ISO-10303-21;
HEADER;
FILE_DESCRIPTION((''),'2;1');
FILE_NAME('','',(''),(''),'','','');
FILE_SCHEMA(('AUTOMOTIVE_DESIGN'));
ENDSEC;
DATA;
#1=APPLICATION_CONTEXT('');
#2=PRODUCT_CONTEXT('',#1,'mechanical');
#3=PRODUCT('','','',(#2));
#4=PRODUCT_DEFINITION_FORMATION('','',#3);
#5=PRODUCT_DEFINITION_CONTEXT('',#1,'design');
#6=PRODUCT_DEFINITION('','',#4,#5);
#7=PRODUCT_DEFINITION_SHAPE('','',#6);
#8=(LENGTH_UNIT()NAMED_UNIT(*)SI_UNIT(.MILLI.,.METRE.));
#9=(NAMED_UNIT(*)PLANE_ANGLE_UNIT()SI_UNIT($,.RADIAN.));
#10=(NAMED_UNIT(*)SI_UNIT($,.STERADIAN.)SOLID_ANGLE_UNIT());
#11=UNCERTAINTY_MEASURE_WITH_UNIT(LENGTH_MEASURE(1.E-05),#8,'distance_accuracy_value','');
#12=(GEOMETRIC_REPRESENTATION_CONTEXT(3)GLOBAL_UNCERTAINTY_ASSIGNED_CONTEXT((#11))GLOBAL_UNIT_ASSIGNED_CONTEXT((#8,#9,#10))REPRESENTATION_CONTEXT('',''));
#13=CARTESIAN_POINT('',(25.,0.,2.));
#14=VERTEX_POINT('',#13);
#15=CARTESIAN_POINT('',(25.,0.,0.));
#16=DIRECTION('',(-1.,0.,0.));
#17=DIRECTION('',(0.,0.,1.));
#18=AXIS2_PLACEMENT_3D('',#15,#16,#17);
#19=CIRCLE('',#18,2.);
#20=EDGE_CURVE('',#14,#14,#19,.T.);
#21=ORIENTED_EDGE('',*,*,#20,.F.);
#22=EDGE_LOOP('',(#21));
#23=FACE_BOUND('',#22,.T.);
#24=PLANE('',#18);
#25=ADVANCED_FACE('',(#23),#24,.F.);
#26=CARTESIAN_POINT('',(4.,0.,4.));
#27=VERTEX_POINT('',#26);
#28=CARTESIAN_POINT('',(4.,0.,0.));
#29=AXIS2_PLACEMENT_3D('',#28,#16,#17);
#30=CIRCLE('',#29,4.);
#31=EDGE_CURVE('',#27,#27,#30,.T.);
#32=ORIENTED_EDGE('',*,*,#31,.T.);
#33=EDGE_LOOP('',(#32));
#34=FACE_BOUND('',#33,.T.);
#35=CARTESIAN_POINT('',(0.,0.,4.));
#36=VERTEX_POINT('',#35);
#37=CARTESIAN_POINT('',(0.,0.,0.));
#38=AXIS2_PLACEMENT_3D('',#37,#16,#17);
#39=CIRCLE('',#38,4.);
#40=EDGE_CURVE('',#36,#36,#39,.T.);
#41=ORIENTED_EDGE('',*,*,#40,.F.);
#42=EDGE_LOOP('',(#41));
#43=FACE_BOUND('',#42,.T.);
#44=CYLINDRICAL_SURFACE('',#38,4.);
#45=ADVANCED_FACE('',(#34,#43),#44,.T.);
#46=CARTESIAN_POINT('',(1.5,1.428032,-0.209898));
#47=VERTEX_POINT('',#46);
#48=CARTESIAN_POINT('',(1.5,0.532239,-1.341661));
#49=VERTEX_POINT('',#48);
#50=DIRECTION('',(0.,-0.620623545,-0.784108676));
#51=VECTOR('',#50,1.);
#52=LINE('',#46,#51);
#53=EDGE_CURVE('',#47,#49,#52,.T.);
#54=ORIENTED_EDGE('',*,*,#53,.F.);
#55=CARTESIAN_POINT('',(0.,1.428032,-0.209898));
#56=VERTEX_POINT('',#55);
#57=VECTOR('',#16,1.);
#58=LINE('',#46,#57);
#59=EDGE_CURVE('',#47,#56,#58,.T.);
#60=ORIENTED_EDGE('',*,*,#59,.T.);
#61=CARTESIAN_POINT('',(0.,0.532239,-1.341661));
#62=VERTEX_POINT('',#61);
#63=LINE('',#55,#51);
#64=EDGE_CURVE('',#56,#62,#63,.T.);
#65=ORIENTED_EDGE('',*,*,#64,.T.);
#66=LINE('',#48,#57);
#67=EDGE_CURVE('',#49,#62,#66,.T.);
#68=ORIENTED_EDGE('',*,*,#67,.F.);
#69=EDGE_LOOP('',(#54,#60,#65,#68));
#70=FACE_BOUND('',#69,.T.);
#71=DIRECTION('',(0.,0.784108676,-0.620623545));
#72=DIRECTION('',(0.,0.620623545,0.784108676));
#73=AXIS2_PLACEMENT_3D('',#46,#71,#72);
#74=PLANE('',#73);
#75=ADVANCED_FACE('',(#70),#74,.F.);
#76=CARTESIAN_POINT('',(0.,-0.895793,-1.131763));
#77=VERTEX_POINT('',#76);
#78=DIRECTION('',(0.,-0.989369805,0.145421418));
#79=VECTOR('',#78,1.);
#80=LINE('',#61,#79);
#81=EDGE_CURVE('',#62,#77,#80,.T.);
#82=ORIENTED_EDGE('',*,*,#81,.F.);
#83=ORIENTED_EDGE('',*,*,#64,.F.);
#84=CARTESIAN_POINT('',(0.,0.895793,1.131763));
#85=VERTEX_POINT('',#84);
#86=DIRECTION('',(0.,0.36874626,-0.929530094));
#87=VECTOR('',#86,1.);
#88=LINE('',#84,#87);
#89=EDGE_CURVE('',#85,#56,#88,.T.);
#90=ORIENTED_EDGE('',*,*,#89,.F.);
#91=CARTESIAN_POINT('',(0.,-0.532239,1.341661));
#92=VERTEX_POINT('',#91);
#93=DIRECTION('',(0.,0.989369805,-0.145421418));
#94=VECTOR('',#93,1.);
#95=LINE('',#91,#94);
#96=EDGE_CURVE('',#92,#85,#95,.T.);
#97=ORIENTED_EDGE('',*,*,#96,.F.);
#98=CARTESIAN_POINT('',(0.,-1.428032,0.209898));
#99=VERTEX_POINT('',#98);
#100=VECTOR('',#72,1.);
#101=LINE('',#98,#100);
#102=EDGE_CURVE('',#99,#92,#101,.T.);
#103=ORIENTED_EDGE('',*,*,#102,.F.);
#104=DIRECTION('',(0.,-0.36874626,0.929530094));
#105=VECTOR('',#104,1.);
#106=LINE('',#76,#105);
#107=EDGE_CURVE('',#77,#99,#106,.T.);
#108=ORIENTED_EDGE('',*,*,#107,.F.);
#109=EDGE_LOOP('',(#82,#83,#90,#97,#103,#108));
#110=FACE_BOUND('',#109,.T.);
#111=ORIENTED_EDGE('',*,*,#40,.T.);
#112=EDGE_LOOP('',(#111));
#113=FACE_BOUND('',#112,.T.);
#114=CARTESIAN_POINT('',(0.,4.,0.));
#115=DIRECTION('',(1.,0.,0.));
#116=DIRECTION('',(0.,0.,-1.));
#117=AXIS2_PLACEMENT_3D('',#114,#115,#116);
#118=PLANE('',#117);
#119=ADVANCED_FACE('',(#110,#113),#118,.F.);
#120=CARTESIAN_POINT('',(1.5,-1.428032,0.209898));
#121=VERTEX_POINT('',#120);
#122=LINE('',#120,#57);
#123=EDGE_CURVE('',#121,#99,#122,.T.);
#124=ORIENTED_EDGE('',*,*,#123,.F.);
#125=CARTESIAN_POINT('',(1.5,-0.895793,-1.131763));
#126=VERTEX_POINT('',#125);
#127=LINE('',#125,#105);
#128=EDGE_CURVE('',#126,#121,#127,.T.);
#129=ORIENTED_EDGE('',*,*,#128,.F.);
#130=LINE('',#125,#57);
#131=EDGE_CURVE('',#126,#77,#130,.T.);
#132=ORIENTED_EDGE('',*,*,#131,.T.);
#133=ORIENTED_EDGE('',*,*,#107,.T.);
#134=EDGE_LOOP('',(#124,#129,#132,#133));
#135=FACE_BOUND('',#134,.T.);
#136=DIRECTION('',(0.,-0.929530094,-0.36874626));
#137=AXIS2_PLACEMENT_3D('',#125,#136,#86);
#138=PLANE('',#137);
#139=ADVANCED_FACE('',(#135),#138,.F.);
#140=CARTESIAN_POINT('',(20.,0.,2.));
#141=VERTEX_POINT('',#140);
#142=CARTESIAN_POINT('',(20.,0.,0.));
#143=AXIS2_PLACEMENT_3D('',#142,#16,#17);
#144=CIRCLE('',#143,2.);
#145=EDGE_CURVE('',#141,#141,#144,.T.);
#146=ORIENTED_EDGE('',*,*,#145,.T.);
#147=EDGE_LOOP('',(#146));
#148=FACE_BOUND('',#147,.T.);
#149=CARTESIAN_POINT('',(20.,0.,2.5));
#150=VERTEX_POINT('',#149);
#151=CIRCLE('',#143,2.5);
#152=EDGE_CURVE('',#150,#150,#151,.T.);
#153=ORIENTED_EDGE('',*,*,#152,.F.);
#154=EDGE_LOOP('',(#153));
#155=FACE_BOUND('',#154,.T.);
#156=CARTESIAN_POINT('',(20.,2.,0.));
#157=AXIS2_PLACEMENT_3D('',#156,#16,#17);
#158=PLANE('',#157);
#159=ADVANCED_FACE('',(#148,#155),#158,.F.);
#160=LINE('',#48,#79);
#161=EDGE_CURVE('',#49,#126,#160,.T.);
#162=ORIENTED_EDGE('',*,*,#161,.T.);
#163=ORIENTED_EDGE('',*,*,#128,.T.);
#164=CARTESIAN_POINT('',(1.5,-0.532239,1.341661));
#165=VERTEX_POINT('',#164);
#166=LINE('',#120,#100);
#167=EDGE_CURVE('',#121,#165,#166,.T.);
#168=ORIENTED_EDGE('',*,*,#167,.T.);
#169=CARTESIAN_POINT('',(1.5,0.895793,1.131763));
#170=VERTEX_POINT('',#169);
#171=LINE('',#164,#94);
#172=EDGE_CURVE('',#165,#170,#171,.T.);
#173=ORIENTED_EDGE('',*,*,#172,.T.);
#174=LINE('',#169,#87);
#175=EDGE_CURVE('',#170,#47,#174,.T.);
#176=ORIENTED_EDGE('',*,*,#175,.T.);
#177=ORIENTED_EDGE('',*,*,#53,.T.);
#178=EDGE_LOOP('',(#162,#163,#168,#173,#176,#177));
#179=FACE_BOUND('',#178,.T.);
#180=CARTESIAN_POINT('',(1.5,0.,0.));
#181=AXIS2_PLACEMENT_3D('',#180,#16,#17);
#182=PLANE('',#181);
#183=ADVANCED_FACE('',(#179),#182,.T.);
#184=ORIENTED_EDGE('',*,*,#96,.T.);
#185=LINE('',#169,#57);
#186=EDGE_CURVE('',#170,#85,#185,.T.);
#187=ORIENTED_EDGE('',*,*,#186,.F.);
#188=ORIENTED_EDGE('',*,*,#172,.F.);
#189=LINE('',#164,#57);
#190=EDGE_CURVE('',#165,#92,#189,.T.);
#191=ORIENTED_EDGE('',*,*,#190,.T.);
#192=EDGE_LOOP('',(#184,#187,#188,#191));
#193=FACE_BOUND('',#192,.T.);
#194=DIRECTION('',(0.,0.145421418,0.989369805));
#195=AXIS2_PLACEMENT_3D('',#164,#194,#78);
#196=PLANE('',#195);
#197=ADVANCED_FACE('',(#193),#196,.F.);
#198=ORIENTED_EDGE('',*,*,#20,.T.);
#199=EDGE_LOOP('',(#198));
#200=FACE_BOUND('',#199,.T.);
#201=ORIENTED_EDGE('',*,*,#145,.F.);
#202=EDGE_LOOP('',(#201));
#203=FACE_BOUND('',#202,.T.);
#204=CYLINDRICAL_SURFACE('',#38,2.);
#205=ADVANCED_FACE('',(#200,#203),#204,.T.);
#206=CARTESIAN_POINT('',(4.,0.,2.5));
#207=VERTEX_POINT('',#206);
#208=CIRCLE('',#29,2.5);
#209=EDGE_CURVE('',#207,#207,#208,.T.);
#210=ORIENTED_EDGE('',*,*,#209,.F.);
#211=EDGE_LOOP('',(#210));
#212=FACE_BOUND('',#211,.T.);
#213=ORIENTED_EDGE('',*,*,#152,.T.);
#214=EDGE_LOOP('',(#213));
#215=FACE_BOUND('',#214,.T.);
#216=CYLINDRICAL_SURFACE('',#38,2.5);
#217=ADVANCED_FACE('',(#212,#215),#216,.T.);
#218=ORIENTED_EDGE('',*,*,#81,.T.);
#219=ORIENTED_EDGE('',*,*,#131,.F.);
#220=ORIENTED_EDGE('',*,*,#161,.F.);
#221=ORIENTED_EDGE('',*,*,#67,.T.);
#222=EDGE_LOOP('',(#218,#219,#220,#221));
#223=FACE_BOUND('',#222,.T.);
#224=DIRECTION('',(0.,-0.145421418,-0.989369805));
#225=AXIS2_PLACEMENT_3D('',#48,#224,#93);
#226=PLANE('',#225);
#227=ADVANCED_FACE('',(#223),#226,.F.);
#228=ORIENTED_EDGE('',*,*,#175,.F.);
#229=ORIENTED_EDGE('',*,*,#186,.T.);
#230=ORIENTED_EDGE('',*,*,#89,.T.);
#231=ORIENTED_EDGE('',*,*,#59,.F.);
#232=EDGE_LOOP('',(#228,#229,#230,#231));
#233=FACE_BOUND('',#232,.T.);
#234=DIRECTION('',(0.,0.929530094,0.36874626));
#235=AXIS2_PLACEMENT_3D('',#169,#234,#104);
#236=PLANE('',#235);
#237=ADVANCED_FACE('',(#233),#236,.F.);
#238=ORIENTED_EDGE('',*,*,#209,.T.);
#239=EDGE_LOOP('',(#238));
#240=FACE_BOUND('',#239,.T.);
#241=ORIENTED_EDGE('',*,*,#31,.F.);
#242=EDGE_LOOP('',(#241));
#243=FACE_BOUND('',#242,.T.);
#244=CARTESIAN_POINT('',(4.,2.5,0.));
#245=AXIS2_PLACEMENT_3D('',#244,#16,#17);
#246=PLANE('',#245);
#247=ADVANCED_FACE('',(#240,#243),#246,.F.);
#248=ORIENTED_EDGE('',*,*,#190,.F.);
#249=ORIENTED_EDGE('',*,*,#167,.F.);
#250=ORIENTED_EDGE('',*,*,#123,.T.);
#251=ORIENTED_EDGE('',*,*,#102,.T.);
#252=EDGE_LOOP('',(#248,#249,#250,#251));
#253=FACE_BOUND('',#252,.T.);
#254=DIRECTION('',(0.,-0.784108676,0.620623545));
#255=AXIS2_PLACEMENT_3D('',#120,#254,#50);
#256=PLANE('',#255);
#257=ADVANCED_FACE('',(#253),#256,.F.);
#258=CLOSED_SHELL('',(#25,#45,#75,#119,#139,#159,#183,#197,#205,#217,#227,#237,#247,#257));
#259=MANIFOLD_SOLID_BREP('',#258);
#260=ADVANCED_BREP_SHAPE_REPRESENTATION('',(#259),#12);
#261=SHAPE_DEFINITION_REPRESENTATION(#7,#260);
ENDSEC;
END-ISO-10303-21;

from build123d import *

# Parameters (mm, degrees)
CUT_EXTRUDE1_DEPTH = 1.5


with BuildPart() as part:
    # Sketch1 → Revolve1 (revolve)
    with BuildSketch(Plane.XY):
        Polygon((0, 0), (25, 0), (25, 2), (20, 2), (20, 2.5), (4, 2.5), (4, 4), (0, 4), align=None)
    revolve(axis=Axis((0, 0, 0), (1, 0, 0)))

    # Sketch2 → Cut-Extrude1 (cut)
    with BuildSketch(Plane.ZY):
        Polygon((-0.209897737, 1.428032308), (-1.341661125, 0.532239381), (-1.131763388, -0.895792927), (0.209897737, -1.428032308), (1.341661125, -0.532239381), (1.131763388, 0.895792927), align=None)
    extrude(amount=-CUT_EXTRUDE1_DEPTH, mode=Mode.SUBTRACT)


solid = part.part
